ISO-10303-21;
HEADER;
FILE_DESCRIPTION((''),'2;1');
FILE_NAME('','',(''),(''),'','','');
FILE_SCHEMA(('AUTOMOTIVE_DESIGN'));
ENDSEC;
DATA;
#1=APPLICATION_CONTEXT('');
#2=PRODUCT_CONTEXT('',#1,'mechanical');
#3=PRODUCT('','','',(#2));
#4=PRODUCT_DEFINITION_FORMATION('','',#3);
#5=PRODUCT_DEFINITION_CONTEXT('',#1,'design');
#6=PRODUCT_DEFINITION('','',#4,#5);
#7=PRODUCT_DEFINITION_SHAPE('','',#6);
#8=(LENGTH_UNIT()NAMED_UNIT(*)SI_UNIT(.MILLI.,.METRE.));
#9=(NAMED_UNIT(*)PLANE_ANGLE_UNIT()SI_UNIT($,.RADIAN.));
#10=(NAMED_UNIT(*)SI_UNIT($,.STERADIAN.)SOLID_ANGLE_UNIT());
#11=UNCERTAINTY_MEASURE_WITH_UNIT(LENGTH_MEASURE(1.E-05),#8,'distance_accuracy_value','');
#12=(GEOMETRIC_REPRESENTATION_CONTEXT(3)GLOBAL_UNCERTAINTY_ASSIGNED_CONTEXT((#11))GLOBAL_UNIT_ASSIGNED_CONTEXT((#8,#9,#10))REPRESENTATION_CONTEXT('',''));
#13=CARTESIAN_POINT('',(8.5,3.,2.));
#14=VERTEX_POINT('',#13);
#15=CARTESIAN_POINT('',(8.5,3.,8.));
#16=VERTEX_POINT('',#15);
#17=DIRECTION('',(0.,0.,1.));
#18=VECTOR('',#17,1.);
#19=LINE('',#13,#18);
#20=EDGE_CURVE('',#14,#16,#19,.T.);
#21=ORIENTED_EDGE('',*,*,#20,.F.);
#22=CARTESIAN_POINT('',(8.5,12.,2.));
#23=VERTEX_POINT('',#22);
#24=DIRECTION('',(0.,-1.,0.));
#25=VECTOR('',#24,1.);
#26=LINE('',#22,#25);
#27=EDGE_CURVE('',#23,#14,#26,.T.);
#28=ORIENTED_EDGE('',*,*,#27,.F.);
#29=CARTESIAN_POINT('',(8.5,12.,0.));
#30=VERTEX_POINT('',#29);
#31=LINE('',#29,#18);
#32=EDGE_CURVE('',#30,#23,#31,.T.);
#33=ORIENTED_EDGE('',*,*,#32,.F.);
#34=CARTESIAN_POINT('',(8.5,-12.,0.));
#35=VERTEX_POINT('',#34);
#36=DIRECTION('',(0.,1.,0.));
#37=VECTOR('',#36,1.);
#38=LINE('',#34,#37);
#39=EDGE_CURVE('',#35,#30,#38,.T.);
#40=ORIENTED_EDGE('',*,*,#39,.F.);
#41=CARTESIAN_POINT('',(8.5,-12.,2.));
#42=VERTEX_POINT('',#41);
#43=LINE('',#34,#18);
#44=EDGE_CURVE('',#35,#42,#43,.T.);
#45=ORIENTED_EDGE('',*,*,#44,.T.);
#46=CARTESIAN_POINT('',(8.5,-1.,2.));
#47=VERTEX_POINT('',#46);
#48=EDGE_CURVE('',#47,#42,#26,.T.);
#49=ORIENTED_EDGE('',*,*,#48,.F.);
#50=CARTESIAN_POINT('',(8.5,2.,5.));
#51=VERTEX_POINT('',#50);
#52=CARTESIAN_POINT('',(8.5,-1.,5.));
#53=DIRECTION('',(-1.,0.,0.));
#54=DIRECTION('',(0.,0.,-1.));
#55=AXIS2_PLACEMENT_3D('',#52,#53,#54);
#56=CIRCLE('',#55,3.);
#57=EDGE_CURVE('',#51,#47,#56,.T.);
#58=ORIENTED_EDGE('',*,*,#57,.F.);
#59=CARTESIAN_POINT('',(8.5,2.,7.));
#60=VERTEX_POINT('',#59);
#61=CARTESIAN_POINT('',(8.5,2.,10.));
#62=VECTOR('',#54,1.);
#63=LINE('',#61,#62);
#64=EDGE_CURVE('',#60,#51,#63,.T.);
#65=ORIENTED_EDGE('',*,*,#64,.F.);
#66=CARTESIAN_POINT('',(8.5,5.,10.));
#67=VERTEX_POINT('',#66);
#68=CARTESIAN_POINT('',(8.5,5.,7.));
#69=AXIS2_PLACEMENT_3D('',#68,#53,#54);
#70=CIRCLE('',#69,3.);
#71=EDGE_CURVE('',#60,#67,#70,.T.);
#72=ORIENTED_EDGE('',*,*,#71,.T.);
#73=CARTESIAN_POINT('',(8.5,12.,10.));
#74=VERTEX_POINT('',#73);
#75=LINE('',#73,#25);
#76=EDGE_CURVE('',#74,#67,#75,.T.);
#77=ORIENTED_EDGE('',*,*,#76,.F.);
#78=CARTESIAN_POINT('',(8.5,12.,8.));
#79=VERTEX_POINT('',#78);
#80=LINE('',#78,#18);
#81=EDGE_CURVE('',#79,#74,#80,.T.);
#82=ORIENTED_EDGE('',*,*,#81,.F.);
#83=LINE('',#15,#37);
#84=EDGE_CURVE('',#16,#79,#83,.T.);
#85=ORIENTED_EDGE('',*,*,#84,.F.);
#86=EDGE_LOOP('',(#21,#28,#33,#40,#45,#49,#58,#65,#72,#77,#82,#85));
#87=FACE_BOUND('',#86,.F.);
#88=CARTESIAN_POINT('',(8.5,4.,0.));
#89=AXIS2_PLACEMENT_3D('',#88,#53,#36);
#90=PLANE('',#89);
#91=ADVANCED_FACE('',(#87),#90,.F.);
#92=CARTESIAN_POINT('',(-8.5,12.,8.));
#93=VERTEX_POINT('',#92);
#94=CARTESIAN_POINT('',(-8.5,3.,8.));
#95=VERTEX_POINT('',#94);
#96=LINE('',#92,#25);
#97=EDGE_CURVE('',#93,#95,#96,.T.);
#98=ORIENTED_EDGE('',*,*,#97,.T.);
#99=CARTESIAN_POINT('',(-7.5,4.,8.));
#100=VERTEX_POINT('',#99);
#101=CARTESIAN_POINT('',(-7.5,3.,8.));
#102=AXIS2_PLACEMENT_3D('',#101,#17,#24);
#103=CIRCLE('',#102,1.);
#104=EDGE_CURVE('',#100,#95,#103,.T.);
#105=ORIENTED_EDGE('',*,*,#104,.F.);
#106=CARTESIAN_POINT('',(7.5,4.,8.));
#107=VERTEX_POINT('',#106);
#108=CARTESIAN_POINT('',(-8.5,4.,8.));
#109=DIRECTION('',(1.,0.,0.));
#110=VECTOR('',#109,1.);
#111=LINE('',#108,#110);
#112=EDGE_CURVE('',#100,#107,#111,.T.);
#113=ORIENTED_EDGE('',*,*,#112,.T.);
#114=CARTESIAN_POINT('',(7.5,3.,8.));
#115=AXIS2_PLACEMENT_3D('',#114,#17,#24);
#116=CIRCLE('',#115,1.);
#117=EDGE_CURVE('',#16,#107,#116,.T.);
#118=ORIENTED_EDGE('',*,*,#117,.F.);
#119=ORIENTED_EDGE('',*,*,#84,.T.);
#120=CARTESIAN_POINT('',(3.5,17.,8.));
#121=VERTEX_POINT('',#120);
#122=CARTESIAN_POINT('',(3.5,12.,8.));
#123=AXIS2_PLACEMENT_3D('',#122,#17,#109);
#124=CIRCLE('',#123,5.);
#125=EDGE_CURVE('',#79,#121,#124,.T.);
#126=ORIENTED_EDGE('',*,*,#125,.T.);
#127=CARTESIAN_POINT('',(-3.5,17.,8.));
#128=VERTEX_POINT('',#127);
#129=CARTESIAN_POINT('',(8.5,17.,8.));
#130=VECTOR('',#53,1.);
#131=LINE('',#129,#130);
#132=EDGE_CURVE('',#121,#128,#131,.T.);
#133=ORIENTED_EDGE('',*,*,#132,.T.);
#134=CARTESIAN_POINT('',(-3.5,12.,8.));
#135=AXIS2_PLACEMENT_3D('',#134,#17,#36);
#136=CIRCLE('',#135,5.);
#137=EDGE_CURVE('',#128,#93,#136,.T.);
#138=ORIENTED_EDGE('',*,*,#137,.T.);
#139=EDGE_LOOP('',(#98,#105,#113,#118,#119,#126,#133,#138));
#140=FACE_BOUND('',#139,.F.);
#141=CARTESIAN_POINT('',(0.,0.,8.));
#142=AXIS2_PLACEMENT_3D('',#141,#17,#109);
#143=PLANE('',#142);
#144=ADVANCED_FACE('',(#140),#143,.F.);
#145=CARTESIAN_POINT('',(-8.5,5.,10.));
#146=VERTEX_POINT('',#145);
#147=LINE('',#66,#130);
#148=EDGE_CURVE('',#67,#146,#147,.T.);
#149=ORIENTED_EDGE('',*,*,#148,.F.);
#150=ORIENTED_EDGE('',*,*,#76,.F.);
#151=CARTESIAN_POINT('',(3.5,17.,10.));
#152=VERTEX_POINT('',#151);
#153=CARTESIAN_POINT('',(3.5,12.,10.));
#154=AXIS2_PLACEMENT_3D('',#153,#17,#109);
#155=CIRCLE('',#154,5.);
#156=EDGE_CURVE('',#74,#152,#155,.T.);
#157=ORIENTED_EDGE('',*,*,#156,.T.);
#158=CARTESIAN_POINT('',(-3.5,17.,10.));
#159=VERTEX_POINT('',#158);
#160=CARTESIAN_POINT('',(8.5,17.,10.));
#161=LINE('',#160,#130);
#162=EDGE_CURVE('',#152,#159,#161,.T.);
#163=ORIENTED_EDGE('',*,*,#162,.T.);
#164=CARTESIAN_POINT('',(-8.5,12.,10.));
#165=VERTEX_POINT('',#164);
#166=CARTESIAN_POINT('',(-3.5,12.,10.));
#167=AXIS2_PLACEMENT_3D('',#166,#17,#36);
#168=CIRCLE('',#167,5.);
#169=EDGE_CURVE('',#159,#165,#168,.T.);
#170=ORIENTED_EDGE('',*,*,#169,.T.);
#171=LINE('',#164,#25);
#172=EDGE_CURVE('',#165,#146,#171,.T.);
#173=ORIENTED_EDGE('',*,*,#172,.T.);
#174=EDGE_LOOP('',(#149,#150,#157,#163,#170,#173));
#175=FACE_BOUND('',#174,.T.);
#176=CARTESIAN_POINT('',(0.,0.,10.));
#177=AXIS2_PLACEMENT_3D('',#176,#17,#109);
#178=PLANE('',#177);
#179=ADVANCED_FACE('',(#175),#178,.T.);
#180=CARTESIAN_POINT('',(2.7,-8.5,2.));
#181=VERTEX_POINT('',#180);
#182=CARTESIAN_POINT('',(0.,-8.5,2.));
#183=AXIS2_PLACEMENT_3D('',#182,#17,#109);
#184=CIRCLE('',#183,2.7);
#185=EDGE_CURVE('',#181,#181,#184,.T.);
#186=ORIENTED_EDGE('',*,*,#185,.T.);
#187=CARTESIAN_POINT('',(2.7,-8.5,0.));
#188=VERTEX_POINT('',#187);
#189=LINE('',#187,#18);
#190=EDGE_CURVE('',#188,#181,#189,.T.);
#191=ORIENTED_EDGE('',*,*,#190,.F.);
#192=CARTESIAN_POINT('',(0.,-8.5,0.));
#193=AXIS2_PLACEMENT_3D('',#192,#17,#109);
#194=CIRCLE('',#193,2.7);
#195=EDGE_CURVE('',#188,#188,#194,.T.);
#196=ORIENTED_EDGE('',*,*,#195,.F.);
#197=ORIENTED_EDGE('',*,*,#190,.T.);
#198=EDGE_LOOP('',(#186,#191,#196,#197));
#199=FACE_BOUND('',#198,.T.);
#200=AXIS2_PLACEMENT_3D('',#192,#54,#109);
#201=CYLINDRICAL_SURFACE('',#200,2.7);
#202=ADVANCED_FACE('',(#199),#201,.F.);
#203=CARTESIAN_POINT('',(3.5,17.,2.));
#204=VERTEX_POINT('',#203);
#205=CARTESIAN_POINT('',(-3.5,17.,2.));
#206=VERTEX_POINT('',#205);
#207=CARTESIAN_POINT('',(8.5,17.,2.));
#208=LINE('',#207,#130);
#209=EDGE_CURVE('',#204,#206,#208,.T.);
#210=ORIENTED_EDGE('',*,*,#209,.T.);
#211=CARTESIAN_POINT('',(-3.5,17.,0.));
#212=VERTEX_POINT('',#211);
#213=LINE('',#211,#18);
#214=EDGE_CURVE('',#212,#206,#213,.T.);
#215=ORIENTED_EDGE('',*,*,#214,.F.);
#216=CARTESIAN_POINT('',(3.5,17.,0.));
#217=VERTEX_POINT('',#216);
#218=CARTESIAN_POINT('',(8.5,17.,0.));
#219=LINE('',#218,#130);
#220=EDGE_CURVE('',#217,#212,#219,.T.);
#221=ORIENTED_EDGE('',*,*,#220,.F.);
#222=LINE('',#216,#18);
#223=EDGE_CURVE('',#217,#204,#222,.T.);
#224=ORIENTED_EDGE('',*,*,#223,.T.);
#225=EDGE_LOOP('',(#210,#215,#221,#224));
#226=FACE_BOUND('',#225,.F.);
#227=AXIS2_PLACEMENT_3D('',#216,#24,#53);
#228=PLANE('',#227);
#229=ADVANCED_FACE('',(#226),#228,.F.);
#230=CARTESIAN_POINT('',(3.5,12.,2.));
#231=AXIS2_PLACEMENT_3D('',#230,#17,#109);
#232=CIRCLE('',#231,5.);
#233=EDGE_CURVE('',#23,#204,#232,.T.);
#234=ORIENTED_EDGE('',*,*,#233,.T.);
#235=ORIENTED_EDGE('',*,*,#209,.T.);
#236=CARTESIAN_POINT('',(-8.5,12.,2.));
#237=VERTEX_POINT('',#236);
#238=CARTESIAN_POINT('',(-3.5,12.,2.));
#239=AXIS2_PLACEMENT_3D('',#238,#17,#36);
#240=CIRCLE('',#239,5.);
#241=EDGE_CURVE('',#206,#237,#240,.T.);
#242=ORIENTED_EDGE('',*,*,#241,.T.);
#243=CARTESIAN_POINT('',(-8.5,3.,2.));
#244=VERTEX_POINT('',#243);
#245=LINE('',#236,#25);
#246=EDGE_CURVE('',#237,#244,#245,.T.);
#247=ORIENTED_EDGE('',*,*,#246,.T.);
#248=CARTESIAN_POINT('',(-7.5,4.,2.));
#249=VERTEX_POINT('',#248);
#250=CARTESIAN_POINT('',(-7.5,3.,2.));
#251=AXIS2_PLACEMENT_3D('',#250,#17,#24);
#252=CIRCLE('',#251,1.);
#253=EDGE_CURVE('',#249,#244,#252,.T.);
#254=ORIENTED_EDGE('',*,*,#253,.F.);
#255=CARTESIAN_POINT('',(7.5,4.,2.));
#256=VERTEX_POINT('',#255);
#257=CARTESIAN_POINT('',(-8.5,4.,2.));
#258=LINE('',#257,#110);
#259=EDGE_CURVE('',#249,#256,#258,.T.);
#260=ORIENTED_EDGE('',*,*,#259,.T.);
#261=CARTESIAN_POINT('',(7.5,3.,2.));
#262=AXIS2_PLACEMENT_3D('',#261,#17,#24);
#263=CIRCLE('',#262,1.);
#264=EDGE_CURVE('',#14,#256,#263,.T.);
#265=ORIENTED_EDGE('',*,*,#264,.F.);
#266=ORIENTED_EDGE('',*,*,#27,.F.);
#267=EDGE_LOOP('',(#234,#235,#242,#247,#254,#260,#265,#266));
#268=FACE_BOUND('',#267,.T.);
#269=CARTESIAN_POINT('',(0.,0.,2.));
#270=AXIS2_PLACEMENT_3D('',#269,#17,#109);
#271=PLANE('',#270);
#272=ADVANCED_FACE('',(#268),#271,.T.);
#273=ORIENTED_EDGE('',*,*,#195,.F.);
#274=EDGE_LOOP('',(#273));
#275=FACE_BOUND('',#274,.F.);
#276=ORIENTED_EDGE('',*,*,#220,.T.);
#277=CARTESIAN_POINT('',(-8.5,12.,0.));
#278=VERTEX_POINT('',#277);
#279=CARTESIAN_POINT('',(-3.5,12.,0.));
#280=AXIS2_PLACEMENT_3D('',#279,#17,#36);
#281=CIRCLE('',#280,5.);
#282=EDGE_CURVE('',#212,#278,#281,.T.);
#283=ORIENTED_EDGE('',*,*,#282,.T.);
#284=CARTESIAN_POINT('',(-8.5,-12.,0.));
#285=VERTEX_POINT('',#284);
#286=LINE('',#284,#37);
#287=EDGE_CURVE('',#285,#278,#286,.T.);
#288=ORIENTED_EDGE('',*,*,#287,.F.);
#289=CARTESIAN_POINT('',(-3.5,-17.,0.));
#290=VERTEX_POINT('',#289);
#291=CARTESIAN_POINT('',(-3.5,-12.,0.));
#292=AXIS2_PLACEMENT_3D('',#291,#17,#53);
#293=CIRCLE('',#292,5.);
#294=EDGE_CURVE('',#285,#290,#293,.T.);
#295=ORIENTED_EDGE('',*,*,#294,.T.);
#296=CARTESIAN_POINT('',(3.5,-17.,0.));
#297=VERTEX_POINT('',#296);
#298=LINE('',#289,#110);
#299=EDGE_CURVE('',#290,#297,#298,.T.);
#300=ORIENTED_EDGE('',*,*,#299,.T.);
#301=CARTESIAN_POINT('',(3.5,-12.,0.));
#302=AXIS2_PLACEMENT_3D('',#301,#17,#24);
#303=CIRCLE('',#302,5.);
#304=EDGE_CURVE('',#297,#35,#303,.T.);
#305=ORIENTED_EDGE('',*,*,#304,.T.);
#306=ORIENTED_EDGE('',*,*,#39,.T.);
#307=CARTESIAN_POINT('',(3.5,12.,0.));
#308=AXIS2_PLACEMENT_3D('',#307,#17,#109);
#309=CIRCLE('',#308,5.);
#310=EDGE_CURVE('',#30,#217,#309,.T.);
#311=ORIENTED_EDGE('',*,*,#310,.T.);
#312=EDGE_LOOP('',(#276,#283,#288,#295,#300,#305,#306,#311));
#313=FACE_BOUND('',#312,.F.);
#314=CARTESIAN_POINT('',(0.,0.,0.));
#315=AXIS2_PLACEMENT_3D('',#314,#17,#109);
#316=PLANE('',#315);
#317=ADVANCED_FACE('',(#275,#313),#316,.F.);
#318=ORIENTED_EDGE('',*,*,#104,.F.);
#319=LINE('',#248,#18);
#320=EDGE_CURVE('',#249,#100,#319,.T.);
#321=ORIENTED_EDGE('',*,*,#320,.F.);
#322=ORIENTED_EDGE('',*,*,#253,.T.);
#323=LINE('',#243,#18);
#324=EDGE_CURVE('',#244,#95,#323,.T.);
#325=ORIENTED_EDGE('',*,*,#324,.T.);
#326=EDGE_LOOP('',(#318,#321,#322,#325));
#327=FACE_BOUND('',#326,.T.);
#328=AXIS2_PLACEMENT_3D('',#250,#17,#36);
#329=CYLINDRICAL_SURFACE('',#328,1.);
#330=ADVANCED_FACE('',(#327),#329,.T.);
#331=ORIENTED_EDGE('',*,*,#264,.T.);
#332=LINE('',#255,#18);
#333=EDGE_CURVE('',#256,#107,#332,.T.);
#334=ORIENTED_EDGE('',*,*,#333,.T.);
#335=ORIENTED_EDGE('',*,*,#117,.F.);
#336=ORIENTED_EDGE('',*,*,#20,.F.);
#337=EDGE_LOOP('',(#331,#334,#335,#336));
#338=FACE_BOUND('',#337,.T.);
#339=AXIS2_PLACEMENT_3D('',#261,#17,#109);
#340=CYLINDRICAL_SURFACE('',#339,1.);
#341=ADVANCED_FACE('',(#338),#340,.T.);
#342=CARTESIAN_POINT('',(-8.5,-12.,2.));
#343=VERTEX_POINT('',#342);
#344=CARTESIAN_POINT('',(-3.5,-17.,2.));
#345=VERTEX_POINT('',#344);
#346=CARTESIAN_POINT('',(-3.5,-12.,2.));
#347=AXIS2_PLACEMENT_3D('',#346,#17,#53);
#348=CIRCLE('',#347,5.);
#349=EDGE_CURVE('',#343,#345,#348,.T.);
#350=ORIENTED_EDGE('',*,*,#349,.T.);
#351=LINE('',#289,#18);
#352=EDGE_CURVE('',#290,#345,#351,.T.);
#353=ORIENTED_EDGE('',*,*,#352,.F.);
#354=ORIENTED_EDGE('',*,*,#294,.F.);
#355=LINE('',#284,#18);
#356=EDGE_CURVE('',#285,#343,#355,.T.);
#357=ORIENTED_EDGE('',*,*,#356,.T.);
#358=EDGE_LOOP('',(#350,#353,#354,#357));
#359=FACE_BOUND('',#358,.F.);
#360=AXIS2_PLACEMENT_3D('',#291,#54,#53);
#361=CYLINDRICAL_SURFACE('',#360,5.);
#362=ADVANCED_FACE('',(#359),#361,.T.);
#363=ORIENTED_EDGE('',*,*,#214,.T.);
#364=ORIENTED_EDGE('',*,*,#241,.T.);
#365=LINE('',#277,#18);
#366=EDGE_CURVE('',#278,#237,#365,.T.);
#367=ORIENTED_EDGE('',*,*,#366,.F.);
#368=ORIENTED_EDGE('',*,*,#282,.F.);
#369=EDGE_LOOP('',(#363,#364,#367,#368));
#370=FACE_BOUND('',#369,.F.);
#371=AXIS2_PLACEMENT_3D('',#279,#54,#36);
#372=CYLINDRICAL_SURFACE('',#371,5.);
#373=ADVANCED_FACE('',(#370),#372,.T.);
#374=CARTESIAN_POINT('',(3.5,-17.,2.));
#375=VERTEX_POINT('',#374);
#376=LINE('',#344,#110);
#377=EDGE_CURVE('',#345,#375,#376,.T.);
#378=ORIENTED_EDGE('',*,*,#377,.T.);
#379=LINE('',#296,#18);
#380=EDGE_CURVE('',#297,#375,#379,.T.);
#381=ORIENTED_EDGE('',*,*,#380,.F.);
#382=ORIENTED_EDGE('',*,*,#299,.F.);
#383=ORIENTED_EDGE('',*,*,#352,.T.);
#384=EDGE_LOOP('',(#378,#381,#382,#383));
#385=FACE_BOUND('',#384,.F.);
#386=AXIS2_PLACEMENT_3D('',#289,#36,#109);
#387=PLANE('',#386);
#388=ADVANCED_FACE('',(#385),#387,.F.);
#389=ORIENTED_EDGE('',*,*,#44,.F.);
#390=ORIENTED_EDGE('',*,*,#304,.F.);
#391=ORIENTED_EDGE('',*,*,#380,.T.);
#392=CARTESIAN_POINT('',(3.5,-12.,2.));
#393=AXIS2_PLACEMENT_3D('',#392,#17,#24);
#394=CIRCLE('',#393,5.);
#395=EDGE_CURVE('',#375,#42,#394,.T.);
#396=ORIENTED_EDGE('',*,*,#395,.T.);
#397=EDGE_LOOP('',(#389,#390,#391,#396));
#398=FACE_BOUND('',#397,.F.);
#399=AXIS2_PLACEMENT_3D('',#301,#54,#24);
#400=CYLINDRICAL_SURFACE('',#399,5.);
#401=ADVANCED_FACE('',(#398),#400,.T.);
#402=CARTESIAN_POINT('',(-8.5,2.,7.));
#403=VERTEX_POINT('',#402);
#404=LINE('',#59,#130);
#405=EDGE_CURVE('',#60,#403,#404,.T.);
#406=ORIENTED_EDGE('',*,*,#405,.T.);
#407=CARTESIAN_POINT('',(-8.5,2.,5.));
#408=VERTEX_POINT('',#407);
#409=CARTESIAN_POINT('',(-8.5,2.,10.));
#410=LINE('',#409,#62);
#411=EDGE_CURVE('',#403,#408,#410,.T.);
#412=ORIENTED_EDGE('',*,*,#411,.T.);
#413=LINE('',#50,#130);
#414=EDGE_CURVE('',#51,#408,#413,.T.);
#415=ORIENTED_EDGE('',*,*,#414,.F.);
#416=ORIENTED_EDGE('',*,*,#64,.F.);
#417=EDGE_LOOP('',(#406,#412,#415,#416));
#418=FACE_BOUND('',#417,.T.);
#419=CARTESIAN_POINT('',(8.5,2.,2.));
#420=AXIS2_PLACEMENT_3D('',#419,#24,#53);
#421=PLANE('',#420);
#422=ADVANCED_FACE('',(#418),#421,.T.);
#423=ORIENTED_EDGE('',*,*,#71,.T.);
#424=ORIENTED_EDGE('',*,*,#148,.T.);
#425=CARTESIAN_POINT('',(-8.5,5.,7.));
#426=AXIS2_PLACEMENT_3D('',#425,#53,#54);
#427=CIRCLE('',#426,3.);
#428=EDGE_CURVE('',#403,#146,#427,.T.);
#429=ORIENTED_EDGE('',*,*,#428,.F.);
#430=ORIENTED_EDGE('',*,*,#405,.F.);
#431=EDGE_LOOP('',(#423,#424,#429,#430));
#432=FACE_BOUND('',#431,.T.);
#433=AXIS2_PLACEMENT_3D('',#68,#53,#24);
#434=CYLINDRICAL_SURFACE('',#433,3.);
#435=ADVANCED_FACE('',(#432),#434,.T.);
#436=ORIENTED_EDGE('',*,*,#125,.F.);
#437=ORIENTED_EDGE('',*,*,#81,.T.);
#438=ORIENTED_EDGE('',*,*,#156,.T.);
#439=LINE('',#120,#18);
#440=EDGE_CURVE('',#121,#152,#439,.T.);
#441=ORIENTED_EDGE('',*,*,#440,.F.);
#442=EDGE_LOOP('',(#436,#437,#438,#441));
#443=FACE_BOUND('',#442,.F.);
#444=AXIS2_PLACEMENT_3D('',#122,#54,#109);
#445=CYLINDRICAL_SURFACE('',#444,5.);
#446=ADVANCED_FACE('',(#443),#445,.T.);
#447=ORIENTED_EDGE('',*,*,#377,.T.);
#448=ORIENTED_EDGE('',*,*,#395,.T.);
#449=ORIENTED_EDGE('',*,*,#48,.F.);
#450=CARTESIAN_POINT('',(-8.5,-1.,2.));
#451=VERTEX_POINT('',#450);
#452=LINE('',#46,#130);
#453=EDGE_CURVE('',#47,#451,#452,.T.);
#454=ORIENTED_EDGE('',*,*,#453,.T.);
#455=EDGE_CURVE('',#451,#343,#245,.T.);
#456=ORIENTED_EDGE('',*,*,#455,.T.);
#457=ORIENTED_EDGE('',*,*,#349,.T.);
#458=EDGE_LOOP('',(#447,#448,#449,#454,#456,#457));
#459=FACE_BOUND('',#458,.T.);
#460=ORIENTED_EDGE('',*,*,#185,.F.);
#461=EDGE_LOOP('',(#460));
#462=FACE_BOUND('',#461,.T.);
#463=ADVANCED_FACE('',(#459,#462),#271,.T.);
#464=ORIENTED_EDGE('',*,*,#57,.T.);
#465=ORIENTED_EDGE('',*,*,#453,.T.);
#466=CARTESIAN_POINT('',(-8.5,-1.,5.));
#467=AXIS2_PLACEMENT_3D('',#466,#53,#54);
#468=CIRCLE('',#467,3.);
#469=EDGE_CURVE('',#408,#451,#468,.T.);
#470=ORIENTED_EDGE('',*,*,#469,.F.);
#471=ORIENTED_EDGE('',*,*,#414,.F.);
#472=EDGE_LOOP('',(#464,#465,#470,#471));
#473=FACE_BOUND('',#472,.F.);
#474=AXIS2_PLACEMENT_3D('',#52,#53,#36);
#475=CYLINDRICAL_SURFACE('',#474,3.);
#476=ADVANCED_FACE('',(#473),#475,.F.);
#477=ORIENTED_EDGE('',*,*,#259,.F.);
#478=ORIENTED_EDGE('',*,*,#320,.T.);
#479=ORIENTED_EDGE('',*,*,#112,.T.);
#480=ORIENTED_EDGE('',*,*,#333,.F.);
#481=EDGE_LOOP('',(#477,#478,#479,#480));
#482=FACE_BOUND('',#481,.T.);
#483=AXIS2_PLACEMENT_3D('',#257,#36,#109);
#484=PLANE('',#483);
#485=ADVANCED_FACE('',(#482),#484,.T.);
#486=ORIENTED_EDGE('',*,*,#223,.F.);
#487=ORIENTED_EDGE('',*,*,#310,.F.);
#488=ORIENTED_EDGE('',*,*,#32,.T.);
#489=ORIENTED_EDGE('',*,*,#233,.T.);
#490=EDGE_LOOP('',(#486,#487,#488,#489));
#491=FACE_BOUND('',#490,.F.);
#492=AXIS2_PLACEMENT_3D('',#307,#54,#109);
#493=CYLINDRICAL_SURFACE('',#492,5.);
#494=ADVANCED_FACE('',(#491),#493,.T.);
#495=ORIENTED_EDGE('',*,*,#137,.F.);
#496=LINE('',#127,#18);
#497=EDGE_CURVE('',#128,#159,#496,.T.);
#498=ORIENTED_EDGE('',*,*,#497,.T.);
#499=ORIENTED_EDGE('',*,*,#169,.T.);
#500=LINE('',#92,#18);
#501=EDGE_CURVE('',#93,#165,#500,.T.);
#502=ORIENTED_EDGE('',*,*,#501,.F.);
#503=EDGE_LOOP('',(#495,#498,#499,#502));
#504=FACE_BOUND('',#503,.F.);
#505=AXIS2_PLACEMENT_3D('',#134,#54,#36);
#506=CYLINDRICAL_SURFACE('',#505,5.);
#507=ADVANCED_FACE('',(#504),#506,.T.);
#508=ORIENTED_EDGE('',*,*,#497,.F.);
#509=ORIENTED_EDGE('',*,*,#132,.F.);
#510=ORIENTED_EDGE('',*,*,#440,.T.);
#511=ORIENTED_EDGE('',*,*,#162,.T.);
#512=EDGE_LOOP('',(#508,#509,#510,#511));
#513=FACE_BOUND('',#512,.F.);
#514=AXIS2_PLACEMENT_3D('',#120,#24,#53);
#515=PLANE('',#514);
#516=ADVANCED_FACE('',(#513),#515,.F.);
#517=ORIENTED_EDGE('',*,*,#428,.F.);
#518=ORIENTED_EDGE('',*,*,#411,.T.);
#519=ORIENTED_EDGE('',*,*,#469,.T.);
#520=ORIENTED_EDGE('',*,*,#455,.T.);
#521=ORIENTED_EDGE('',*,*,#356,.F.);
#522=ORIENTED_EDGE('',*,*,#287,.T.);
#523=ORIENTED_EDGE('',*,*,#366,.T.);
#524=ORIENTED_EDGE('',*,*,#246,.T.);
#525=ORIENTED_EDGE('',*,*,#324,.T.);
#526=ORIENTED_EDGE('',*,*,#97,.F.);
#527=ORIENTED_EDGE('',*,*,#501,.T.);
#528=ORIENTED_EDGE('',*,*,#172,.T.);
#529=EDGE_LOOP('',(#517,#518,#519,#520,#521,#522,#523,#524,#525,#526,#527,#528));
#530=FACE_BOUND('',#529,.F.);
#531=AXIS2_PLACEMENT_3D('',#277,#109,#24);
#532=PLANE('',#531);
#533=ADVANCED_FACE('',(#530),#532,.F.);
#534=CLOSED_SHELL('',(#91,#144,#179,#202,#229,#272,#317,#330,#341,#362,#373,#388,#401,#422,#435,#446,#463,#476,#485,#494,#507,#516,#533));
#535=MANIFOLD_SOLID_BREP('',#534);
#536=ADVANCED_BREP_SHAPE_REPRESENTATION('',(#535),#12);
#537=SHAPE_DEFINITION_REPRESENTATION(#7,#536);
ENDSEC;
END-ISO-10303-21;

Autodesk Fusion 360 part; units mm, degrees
sketch "Sketch1" plane through (0, 0, 0) normal (0, 0, 1) x (1, 0, 0)
  line L0 (8.5, 17) -> (-8.5, 17)
  line L1 (-8.5, 17) -> (-8.5, -12)
  line L2 (-3.5, -17) -> (3.5, -17)
  line L3 (8.5, -12) -> (8.5, 17)
  line L4 (8.5, 17) -> (-8.5, -17) construction
  line L5 (-8.5, 17) -> (8.5, -17) construction
  line L6 (0, -17) -> (0, 17) construction
  line L7 (-3.5, 17) -> (3.5, 17)
  line L8 (8.5, 12) -> (8.5, 2)
  line L9 (8.5, 2) -> (-8.5, 2)
  line L10 (-8.5, 2) -> (-8.5, 12)
  circle A0 centre (0, -8.5) radius 4.5 construction
  line L11 (-2.0097, -4) -> (2.3533, -4) construction
  line L12 (0, 2) -> (0, 17) construction
  circle A1 centre (0, -8.5) radius 2.7
  line L13 (-8.5, 4) -> (8.5, 4)
  arc A2 (-3.5, 17) -> (-8.5, 12) centre (-3.5, 12) ccw
  arc A3 (8.5, 12) -> (3.5, 17) centre (3.5, 12) ccw
  arc A4 (3.5, -17) -> (8.5, -12) centre (3.5, -12) ccw
  arc A5 (-8.5, -12) -> (-3.5, -17) centre (-3.5, -12) ccw
  point P0 (-8.5, 17)
  point P1 (8.5, 17)
  dimension "d4" = 9
  dimension "d12" = 8.5
  dimension "d13" = 15
  dimension "d14" = 17
  dimension "d15" = 5.4
  dimension "d16" = 10.5
  dimension "d37" = 17
  dimension "d38" = 2
  dimension "d39" = 8.5
  dimension "d43" = 5
  dimension "d44" = 5
extrude "Extrude1" add sketch "Sketch1" along normal blind 2 contours L0 L1 L3 L7 L8 L10 L13 A2 A3 | L1 L3 L8 L9 L10 L13 | L1 L2 L3 L9 A4 A5
extrude "Extrude2" add sketch "Sketch1" along normal blind 6 from surface at 2 contours L1 L3 L8 L9 L10 L13
extrude "Extrude4" add sketch "Sketch1" along normal blind 2 from surface at 8 contours L0 L1 L3 L7 L8 L10 L13 A2 A3 | L1 L3 L8 L9 L10 L13
fillet "Fillet2" radius 3 2 edges at (0, 2, 10) (0, 2, 2)
fillet "Fillet2" radius 1 2 edges at (8.5, 4, 5) (-8.5, 4, 5)
equation "spacing = 4 mm"
equation "d8 = ( d4 / 2 ) + spacing"
equation "d12 = ( d4 / 2 ) + spacing"
equation "d14 = d37"
equation "d39 = d12"
equation "d44 = d43"
